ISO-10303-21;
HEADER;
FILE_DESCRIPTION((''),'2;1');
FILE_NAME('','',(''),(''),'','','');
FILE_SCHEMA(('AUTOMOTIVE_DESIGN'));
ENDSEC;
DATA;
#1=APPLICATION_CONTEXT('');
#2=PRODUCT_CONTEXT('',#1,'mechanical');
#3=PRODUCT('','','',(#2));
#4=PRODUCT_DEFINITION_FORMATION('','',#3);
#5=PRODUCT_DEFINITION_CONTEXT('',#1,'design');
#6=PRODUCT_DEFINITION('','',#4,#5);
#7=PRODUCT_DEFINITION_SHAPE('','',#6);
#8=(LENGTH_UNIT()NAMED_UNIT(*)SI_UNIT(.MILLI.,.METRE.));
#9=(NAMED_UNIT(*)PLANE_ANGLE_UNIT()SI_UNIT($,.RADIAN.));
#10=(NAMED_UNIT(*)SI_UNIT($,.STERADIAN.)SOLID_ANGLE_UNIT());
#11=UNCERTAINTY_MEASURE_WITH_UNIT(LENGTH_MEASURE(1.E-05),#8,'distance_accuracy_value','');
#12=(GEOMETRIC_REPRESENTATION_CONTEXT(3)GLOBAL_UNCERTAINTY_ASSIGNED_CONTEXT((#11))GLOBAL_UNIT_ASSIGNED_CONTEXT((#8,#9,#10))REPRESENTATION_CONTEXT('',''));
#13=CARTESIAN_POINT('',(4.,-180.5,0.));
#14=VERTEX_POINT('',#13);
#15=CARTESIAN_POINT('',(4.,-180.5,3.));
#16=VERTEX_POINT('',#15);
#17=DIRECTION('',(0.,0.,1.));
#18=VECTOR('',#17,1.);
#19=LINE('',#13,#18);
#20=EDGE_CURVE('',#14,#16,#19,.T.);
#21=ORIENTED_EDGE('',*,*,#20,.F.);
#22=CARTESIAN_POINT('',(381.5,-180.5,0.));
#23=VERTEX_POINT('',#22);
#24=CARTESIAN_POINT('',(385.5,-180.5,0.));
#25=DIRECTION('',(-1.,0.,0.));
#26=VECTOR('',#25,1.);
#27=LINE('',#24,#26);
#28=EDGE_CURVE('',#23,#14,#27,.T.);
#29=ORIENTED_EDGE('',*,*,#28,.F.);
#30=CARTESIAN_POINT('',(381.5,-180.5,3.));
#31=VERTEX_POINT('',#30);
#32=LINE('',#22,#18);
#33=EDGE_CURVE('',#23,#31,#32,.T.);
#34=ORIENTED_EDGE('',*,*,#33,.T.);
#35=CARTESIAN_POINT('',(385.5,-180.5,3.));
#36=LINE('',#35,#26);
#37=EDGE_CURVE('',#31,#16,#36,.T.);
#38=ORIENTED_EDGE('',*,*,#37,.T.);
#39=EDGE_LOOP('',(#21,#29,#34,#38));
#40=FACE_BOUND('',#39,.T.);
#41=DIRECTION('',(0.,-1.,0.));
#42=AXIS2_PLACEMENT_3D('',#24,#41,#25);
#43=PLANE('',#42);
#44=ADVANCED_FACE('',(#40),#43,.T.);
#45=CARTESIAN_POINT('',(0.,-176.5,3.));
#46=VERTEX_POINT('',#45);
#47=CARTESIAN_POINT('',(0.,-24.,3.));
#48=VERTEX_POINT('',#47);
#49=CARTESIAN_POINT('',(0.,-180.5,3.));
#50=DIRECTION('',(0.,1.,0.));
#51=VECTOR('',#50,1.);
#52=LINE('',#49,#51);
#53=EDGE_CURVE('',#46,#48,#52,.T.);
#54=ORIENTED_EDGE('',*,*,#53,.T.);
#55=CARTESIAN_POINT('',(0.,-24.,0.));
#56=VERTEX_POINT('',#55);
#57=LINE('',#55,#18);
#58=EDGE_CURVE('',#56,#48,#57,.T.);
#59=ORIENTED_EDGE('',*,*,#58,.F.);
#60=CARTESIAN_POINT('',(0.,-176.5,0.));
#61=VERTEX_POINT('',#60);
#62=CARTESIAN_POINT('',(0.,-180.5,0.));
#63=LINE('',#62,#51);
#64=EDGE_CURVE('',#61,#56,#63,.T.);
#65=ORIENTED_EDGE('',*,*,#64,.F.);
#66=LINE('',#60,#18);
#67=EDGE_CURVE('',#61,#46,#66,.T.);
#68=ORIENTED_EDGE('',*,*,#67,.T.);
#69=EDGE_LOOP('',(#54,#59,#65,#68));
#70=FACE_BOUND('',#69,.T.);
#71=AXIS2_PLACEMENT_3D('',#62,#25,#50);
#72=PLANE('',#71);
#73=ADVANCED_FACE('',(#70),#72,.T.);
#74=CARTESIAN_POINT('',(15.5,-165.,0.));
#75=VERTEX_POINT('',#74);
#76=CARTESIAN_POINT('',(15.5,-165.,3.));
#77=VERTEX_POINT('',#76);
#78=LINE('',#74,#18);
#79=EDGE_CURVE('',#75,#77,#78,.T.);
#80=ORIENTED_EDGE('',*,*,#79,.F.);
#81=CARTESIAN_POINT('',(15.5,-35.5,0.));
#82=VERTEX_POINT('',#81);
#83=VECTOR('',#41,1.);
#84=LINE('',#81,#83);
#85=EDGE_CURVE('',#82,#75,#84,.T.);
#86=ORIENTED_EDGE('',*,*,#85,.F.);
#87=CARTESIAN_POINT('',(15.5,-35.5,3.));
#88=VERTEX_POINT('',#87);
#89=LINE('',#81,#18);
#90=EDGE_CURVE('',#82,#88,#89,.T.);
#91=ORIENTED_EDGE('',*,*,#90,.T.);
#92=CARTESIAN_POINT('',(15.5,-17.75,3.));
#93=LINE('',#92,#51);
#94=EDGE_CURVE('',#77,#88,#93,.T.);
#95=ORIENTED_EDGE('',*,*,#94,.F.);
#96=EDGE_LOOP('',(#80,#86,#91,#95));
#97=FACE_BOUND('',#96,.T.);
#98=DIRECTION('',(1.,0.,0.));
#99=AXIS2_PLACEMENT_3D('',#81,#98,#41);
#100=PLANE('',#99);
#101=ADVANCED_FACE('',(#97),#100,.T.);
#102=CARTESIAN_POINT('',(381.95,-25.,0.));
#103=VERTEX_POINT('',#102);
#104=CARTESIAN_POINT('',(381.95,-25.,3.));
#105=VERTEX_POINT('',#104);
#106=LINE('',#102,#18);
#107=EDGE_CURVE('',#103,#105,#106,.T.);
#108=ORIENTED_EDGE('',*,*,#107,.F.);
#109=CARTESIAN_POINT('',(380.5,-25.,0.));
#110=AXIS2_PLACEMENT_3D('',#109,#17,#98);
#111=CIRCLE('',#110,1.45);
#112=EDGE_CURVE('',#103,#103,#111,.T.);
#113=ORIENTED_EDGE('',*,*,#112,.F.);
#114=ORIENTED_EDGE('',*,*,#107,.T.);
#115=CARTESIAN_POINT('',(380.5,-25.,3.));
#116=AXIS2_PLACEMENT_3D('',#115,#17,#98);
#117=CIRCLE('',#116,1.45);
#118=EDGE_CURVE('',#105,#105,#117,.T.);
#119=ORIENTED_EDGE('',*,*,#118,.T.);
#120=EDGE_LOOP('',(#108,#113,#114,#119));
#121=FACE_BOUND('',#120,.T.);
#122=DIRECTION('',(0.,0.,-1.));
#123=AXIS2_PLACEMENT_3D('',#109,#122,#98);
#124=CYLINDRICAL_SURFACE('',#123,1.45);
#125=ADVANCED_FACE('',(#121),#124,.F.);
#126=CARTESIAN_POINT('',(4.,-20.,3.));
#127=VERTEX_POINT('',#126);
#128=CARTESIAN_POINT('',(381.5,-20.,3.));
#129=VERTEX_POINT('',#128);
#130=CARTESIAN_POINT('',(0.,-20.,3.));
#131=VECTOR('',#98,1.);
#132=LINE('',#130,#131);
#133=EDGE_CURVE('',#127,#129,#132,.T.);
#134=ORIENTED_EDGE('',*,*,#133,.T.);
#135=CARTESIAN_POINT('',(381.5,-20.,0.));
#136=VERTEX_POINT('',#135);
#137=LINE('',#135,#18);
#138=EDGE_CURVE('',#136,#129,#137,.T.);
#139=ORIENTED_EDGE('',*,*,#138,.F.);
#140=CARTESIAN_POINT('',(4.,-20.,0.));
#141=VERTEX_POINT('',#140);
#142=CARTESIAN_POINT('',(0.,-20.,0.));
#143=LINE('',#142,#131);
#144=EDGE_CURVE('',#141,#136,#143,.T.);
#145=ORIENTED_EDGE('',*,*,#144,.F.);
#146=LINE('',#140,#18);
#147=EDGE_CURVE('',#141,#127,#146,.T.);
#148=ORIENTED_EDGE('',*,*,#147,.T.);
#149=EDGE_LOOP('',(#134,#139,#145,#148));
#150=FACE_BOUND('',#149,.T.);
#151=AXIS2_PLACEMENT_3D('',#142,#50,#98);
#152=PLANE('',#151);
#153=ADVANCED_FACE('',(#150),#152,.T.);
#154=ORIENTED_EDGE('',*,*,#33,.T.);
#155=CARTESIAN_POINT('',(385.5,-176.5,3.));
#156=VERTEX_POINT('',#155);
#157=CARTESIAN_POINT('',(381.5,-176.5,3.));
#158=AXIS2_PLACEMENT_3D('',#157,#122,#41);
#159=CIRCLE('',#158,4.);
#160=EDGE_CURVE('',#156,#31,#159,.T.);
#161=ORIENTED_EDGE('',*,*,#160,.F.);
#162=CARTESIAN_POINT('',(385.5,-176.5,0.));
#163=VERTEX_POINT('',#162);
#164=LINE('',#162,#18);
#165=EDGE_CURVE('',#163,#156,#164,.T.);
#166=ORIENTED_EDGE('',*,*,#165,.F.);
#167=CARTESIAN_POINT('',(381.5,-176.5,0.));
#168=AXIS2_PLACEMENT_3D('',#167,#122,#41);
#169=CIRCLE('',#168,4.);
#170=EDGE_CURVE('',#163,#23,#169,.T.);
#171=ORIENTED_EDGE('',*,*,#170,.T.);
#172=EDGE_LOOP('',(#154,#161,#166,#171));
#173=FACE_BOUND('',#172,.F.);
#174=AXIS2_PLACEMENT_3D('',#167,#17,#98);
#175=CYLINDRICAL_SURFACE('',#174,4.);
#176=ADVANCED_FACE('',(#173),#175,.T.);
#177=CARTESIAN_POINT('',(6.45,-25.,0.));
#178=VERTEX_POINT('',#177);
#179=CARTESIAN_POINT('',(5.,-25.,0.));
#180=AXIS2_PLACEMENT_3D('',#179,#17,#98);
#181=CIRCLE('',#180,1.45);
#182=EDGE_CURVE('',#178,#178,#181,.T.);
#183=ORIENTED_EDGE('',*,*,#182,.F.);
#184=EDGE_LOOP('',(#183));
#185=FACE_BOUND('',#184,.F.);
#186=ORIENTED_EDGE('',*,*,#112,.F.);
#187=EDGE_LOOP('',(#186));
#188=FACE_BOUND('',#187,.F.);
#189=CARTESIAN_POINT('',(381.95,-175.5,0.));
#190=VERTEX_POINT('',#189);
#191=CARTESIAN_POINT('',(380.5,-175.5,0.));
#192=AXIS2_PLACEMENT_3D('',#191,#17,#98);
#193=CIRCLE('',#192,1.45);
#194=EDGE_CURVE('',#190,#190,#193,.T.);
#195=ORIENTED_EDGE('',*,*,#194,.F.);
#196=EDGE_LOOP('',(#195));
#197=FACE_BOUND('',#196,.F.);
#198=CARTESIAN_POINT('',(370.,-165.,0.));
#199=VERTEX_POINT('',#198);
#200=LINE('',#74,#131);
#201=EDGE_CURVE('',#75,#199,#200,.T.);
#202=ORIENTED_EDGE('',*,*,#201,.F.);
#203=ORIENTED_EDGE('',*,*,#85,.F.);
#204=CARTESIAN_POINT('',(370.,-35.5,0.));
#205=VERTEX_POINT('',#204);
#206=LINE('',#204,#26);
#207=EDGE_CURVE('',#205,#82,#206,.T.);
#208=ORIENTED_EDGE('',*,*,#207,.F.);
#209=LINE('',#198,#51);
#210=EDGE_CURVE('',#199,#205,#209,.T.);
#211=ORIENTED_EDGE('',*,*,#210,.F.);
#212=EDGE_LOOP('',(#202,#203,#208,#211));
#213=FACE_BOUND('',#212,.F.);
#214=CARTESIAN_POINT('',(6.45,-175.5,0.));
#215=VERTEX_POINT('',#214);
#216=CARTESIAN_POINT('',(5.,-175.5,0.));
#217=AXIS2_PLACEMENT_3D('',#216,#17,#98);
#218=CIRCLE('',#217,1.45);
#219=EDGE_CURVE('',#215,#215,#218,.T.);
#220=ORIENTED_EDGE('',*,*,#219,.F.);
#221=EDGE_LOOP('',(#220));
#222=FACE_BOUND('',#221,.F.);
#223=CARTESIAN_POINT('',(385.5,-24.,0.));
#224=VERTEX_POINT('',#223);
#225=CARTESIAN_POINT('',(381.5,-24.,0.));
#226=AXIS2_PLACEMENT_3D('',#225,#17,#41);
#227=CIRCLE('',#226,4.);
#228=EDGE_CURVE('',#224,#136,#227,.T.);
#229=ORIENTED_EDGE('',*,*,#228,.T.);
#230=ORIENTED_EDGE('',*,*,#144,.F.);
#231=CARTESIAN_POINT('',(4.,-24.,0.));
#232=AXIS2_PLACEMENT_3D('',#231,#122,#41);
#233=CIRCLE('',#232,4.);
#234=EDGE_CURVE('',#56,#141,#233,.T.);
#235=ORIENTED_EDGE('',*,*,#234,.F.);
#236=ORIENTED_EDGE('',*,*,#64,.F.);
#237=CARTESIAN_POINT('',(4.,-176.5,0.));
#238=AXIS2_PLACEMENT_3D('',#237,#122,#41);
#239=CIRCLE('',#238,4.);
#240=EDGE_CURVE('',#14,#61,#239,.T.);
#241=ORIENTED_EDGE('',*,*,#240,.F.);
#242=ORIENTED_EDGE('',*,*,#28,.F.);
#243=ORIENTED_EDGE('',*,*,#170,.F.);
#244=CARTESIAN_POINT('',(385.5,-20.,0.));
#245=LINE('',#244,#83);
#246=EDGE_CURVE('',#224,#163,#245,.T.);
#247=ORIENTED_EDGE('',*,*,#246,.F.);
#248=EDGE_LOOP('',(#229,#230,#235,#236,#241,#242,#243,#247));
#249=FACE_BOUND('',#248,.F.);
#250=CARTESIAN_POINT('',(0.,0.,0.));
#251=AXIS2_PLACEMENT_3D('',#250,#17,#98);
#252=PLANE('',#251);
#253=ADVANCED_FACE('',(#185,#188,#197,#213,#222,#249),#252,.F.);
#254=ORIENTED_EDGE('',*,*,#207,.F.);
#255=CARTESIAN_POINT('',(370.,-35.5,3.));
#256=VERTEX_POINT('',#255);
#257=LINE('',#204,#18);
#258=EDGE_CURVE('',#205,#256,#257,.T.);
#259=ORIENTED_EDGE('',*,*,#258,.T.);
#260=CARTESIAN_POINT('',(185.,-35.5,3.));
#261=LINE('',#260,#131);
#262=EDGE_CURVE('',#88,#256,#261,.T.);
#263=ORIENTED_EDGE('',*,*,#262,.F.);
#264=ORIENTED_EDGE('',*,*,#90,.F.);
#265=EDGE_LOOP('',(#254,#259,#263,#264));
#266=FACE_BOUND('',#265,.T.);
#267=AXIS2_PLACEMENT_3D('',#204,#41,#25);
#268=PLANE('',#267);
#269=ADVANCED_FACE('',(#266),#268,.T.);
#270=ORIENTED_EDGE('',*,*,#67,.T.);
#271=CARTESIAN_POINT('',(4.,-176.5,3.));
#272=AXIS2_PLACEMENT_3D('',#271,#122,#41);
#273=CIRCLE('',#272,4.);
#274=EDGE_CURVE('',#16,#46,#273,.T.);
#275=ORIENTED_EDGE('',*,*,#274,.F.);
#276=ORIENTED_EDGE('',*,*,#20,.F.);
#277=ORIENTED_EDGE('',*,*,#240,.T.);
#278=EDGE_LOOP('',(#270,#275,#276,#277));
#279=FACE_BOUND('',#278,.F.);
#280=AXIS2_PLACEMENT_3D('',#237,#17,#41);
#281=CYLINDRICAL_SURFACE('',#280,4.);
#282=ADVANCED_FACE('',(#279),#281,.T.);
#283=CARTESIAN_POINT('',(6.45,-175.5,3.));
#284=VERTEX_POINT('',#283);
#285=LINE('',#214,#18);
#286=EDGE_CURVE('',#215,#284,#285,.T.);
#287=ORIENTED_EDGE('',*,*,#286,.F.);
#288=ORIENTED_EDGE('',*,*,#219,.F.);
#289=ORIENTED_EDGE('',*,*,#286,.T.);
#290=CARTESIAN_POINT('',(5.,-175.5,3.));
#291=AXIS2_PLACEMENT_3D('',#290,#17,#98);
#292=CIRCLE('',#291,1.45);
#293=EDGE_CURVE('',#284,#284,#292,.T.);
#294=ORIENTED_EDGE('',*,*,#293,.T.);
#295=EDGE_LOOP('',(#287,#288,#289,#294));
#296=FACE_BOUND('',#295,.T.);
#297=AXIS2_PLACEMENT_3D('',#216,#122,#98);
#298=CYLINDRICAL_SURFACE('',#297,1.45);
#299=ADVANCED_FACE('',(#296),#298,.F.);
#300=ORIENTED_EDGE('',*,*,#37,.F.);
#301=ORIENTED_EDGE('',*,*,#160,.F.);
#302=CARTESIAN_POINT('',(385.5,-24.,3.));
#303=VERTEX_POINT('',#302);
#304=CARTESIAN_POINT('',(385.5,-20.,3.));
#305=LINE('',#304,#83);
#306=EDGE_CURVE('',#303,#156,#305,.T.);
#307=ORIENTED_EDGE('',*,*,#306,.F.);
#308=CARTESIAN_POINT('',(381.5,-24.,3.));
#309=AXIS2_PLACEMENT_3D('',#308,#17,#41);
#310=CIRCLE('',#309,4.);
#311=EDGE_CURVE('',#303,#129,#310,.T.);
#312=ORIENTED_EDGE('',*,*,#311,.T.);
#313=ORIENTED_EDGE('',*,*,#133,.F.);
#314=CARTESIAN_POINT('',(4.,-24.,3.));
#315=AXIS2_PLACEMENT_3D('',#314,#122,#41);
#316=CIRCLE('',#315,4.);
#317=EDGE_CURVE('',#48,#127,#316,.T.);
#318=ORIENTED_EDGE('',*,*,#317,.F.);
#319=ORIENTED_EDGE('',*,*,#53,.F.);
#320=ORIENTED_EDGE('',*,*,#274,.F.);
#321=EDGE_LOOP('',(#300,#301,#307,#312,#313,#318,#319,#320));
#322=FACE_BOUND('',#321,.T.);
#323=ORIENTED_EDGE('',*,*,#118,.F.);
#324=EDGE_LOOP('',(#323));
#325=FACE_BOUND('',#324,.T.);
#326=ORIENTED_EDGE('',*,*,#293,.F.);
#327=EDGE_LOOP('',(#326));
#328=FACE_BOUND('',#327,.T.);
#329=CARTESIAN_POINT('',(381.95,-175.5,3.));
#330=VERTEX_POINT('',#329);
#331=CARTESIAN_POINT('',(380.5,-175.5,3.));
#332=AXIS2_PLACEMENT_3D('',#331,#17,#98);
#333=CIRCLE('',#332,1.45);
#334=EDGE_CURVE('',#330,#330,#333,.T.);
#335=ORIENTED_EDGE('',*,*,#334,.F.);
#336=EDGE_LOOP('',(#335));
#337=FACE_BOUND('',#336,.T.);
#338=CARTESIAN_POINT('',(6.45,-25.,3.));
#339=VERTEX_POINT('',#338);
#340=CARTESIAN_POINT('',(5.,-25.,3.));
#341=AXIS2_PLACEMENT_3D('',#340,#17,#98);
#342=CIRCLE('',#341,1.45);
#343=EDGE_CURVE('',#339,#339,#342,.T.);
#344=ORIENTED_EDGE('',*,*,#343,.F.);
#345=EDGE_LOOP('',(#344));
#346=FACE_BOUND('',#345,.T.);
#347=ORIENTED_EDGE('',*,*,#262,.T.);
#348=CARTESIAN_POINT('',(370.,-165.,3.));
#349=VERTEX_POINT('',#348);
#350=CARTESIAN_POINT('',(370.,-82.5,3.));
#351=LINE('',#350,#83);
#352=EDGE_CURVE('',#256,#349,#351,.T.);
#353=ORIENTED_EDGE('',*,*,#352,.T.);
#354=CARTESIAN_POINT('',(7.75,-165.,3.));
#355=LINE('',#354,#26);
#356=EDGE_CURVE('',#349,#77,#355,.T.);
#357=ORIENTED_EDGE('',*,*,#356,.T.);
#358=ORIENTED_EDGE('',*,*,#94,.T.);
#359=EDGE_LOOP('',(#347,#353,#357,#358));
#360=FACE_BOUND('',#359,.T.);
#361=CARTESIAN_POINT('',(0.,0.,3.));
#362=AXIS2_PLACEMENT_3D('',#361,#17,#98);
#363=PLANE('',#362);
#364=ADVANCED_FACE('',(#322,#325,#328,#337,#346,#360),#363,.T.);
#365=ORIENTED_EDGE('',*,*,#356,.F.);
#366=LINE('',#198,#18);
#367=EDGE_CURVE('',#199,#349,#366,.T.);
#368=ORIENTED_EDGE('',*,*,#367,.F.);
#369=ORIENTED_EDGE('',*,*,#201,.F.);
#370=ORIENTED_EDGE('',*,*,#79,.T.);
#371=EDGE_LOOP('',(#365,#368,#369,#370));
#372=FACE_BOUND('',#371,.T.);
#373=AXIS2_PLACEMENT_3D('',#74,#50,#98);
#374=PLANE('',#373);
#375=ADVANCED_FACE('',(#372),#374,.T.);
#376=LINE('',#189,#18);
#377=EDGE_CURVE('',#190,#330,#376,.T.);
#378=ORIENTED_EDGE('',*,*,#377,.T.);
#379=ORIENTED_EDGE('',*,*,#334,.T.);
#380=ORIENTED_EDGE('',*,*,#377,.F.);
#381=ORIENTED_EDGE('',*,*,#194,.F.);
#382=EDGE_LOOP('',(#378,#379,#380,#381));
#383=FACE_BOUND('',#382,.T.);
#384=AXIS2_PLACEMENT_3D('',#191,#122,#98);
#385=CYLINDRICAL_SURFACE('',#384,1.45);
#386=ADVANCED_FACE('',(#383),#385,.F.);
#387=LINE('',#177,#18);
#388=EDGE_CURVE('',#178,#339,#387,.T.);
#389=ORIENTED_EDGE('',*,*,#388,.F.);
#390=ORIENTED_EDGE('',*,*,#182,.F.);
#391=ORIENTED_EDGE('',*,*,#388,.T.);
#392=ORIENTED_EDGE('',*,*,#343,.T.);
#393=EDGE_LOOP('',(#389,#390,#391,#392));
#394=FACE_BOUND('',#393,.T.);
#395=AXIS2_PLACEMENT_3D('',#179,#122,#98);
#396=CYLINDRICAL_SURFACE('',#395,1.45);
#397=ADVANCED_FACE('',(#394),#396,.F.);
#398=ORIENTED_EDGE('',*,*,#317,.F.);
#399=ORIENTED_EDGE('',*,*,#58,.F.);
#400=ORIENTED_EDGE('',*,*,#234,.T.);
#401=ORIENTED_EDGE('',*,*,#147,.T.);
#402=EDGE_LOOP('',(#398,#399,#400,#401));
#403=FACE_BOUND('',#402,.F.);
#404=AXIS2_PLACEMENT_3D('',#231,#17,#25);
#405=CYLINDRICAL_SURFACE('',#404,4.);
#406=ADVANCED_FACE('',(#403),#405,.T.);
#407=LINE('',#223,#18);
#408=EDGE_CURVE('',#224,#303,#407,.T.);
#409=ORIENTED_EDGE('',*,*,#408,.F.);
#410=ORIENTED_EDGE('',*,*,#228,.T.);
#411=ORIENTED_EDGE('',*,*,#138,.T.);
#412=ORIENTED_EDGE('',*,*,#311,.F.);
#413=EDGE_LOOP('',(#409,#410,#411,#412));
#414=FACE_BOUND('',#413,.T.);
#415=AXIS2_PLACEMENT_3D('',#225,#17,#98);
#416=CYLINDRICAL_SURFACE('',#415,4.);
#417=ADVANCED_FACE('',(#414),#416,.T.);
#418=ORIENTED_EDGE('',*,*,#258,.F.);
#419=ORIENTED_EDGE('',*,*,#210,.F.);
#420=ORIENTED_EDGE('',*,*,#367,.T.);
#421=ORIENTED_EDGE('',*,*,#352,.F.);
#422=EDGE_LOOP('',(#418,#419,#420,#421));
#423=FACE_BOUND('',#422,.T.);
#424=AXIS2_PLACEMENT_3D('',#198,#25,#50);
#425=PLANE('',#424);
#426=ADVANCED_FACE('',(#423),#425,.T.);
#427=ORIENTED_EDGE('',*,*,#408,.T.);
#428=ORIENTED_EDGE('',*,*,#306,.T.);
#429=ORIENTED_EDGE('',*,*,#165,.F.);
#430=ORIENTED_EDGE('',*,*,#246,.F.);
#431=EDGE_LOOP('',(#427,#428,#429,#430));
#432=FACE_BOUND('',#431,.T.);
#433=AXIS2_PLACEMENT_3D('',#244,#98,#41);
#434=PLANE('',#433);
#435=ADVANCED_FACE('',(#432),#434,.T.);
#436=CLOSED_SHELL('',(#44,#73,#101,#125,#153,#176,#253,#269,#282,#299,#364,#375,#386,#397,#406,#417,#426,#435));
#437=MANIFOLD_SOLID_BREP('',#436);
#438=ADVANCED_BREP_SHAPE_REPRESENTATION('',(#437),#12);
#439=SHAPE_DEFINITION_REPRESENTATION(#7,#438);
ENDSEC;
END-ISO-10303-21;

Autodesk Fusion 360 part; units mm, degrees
sketch "Sketch1" plane through (0, 0, 0) normal (0, 0, 1) x (1, 0, 0)
  line L0 (0, 0) -> (385.5, 0)
  line L1 (385.5, 0) -> (385.5, 160.5)
  line L2 (385.5, 160.5) -> (0, 160.5)
  line L3 (0, 160.5) -> (0, 0)
  line L4 (10, 150.5) -> (375.5, 150.5)
  line L5 (375.5, 150.5) -> (375.5, 10)
  line L6 (375.5, 10) -> (10, 10)
  line L7 (10, 10) -> (10, 150.5)
  circle A0 centre (5, 155.5) radius 1.45
  circle A1 centre (5, 5) radius 1.45
  circle A2 centre (380.5, 5) radius 1.45
  circle A3 centre (380.5, 155.5) radius 1.45
  dimension "d1" = 160.5
  dimension "d2" = 385.5
  dimension "d3" = 10
  dimension "d4" = 10
  dimension "d5" = 10
  dimension "d6" = 10
  dimension "d7" = 2.9
  dimension "d8" = 2.9
  dimension "d9" = 2.9
  dimension "d10" = 2.9
  dimension "d11" = 5
  dimension "d12" = 5
  dimension "d13" = 5
  dimension "d14" = 5
  dimension "d15" = 5
  dimension "d16" = 5
  dimension "d17" = 5
  dimension "d18" = 5
sketch "Sketch2" plane through (0, 0, 0) normal (0, 0, 1) x (1, 0, 0)
  line L0 (0, 0) -> (385.5, 0)
  line L1 (385.5, 0) -> (385.5, 160.5)
  line L2 (385.5, 160.5) -> (0, 160.5)
  line L3 (0, 160.5) -> (0, 0)
  line L4 (375.5, 10) -> (10, 10)
  line L5 (10, 10) -> (10, 150.5)
  line L6 (10, 150.5) -> (375.5, 150.5)
  line L7 (375.5, 150.5) -> (375.5, 10)
  dimension "d21" = 160.5
  dimension "d22" = 385.5
  dimension "d23" = 10
  dimension "d24" = 10
  dimension "d25" = 365.5
  dimension "d26" = 140.5
sketch "Sketch3" plane through (0, 0, 0) normal (0, 1, 0) x (1, 0, 0)
sketch "Sketch4" plane through (0, 0, 0) normal (0, 0, 1) x (1, 0, 0)
  line L0 (0, -20) -> (385.5, -20)
  line L1 (385.5, -20) -> (385.5, -180.5)
  line L2 (385.5, -180.5) -> (0, -180.5)
  line L3 (0, -180.5) -> (0, -20)
  line L4 (375.5, -170.5) -> (10, -170.5)
  line L5 (10, -170.5) -> (10, -30)
  line L6 (10, -30) -> (375.5, -30)
  line L7 (375.5, -30) -> (375.5, -170.5)
  circle A0 centre (5, -175.5) radius 1.45
  circle A1 centre (5, -25) radius 1.45
  circle A2 centre (380.5, -25) radius 1.45
  circle A3 centre (380.5, -175.5) radius 1.45
  dimension "d29" = 160.5
  dimension "d30" = 385.5
  dimension "d31" = 10
  dimension "d32" = 10
  dimension "d33" = 10
  dimension "d34" = 10
  dimension "d35" = 2.9
  dimension "d36" = 5
  dimension "d37" = 5
  dimension "d38" = 2.9
  dimension "d39" = 5
  dimension "d40" = 5
  dimension "d41" = 2.9
  dimension "d42" = 5
  dimension "d43" = 5
  dimension "d44" = 2.9
  dimension "d45" = 5
  dimension "d46" = 5
extrude "Extrude3" add sketch "Sketch4" along normal blind 3 contours L0 L1 L2 L3 | L4 L5 L6 L7
sketch "Sketch5" plane through (0, 0, 3) normal (0, 0, 1) x (-1, 0, 0)
  circle A0 centre (-15.5, -145) radius 3.3
  circle A1 centre (-15.5, -145) radius 1.3
  circle A2 centre (-15.5, -15.5) radius 1.3
  circle A3 centre (-15.5, -15.5) radius 3.3
  circle A4 centre (-370, -15.5) radius 1.3
  circle A5 centre (-370, -15.5) radius 3.3
  circle A6 centre (-370, -145) radius 1.3
  circle A7 centre (-370, -145) radius 3.3
  line L0 (-375.5, -150.5) -> (-10, -150.5)
  line L1 (-10, -150.5) -> (-10, -10)
  line L2 (-10, -10) -> (-375.5, -10)
  line L3 (-375.5, -10) -> (-375.5, -150.5)
  dimension "d49" = 6.6
  dimension "d52" = 2.6
  dimension "d53" = 2.6
  dimension "d56" = 6.6
  dimension "d57" = 2.6
  dimension "d58" = 6.6
  dimension "d61" = 2.6
  dimension "d62" = 6.6
sketch "Sketch6" plane through (0, 0, 3) normal (0, 0, 1) x (-1, 0, 0)
  circle A0 centre (-5, 25) radius 1.45
  circle A1 centre (-5, 175.5) radius 1.45
  circle A2 centre (-380.5, 25) radius 1.45
  circle A3 centre (-380.5, 175.5) radius 1.45
  line L0 (0, 180.5) -> (-385.5, 180.5)
  line L1 (-385.5, 180.5) -> (-385.5, 20)
  line L2 (-385.5, 20) -> (0, 20)
  line L3 (0, 20) -> (0, 180.5)
sketch "Sketch7" plane through (0, 0, 0) normal (0, 0, -1) x (1, 0, 0)
  circle A0 centre (5, 25) radius 1.45
  circle A1 centre (5, 175.5) radius 1.45
  circle A2 centre (380.5, 25) radius 1.45
  circle A3 centre (380.5, 175.5) radius 1.45
  line L0 (385.5, 180.5) -> (0, 180.5)
  line L1 (0, 180.5) -> (0, 20)
  line L2 (0, 20) -> (385.5, 20)
  line L3 (385.5, 20) -> (385.5, 180.5)
  line L4 (0, 20) -> (385.5, 20)
  line L5 (385.5, 20) -> (385.5, 180.5)
  line L6 (385.5, 180.5) -> (0, 180.5)
  line L7 (0, 180.5) -> (0, 20)
  line L8 (0, 20) -> (385.5, 20)
  line L9 (385.5, 20) -> (385.5, 180.5)
  line L10 (385.5, 180.5) -> (0, 180.5)
  line L11 (0, 180.5) -> (0, 20)
  line L12 (0, 20) -> (385.5, 20)
  line L13 (385.5, 20) -> (385.5, 180.5)
  line L14 (385.5, 180.5) -> (0, 180.5)
  line L15 (0, 180.5) -> (0, 20)
  line L16 (15.5, 165) -> (370, 165)
  line L17 (370, 165) -> (370, 35.5)
  line L18 (370, 35.5) -> (15.5, 35.5)
  line L19 (15.5, 35.5) -> (15.5, 165)
  line L20 (0, 180.5) -> (385.5, 180.5)
  dimension "d68" = 15.5
  dimension "d70" = 15.5
  dimension "d71" = 15.5
  dimension "d72" = 15.5
extrude "Extrude5" cut sketch "Sketch7" against normal blind 150 contours L16 L17 L18 L19
fillet "Fillet5" radius 4 1 edges at (385.5, -180.5, 1.5)
fillet "Fillet6" radius 4 1 edges at (385.5, -20, 1.5)
fillet "Fillet7" radius 4 1 edges at (0, -180.5, 1.5)
fillet "Fillet8" radius 4 1 edges at (0, -20, 1.5)
